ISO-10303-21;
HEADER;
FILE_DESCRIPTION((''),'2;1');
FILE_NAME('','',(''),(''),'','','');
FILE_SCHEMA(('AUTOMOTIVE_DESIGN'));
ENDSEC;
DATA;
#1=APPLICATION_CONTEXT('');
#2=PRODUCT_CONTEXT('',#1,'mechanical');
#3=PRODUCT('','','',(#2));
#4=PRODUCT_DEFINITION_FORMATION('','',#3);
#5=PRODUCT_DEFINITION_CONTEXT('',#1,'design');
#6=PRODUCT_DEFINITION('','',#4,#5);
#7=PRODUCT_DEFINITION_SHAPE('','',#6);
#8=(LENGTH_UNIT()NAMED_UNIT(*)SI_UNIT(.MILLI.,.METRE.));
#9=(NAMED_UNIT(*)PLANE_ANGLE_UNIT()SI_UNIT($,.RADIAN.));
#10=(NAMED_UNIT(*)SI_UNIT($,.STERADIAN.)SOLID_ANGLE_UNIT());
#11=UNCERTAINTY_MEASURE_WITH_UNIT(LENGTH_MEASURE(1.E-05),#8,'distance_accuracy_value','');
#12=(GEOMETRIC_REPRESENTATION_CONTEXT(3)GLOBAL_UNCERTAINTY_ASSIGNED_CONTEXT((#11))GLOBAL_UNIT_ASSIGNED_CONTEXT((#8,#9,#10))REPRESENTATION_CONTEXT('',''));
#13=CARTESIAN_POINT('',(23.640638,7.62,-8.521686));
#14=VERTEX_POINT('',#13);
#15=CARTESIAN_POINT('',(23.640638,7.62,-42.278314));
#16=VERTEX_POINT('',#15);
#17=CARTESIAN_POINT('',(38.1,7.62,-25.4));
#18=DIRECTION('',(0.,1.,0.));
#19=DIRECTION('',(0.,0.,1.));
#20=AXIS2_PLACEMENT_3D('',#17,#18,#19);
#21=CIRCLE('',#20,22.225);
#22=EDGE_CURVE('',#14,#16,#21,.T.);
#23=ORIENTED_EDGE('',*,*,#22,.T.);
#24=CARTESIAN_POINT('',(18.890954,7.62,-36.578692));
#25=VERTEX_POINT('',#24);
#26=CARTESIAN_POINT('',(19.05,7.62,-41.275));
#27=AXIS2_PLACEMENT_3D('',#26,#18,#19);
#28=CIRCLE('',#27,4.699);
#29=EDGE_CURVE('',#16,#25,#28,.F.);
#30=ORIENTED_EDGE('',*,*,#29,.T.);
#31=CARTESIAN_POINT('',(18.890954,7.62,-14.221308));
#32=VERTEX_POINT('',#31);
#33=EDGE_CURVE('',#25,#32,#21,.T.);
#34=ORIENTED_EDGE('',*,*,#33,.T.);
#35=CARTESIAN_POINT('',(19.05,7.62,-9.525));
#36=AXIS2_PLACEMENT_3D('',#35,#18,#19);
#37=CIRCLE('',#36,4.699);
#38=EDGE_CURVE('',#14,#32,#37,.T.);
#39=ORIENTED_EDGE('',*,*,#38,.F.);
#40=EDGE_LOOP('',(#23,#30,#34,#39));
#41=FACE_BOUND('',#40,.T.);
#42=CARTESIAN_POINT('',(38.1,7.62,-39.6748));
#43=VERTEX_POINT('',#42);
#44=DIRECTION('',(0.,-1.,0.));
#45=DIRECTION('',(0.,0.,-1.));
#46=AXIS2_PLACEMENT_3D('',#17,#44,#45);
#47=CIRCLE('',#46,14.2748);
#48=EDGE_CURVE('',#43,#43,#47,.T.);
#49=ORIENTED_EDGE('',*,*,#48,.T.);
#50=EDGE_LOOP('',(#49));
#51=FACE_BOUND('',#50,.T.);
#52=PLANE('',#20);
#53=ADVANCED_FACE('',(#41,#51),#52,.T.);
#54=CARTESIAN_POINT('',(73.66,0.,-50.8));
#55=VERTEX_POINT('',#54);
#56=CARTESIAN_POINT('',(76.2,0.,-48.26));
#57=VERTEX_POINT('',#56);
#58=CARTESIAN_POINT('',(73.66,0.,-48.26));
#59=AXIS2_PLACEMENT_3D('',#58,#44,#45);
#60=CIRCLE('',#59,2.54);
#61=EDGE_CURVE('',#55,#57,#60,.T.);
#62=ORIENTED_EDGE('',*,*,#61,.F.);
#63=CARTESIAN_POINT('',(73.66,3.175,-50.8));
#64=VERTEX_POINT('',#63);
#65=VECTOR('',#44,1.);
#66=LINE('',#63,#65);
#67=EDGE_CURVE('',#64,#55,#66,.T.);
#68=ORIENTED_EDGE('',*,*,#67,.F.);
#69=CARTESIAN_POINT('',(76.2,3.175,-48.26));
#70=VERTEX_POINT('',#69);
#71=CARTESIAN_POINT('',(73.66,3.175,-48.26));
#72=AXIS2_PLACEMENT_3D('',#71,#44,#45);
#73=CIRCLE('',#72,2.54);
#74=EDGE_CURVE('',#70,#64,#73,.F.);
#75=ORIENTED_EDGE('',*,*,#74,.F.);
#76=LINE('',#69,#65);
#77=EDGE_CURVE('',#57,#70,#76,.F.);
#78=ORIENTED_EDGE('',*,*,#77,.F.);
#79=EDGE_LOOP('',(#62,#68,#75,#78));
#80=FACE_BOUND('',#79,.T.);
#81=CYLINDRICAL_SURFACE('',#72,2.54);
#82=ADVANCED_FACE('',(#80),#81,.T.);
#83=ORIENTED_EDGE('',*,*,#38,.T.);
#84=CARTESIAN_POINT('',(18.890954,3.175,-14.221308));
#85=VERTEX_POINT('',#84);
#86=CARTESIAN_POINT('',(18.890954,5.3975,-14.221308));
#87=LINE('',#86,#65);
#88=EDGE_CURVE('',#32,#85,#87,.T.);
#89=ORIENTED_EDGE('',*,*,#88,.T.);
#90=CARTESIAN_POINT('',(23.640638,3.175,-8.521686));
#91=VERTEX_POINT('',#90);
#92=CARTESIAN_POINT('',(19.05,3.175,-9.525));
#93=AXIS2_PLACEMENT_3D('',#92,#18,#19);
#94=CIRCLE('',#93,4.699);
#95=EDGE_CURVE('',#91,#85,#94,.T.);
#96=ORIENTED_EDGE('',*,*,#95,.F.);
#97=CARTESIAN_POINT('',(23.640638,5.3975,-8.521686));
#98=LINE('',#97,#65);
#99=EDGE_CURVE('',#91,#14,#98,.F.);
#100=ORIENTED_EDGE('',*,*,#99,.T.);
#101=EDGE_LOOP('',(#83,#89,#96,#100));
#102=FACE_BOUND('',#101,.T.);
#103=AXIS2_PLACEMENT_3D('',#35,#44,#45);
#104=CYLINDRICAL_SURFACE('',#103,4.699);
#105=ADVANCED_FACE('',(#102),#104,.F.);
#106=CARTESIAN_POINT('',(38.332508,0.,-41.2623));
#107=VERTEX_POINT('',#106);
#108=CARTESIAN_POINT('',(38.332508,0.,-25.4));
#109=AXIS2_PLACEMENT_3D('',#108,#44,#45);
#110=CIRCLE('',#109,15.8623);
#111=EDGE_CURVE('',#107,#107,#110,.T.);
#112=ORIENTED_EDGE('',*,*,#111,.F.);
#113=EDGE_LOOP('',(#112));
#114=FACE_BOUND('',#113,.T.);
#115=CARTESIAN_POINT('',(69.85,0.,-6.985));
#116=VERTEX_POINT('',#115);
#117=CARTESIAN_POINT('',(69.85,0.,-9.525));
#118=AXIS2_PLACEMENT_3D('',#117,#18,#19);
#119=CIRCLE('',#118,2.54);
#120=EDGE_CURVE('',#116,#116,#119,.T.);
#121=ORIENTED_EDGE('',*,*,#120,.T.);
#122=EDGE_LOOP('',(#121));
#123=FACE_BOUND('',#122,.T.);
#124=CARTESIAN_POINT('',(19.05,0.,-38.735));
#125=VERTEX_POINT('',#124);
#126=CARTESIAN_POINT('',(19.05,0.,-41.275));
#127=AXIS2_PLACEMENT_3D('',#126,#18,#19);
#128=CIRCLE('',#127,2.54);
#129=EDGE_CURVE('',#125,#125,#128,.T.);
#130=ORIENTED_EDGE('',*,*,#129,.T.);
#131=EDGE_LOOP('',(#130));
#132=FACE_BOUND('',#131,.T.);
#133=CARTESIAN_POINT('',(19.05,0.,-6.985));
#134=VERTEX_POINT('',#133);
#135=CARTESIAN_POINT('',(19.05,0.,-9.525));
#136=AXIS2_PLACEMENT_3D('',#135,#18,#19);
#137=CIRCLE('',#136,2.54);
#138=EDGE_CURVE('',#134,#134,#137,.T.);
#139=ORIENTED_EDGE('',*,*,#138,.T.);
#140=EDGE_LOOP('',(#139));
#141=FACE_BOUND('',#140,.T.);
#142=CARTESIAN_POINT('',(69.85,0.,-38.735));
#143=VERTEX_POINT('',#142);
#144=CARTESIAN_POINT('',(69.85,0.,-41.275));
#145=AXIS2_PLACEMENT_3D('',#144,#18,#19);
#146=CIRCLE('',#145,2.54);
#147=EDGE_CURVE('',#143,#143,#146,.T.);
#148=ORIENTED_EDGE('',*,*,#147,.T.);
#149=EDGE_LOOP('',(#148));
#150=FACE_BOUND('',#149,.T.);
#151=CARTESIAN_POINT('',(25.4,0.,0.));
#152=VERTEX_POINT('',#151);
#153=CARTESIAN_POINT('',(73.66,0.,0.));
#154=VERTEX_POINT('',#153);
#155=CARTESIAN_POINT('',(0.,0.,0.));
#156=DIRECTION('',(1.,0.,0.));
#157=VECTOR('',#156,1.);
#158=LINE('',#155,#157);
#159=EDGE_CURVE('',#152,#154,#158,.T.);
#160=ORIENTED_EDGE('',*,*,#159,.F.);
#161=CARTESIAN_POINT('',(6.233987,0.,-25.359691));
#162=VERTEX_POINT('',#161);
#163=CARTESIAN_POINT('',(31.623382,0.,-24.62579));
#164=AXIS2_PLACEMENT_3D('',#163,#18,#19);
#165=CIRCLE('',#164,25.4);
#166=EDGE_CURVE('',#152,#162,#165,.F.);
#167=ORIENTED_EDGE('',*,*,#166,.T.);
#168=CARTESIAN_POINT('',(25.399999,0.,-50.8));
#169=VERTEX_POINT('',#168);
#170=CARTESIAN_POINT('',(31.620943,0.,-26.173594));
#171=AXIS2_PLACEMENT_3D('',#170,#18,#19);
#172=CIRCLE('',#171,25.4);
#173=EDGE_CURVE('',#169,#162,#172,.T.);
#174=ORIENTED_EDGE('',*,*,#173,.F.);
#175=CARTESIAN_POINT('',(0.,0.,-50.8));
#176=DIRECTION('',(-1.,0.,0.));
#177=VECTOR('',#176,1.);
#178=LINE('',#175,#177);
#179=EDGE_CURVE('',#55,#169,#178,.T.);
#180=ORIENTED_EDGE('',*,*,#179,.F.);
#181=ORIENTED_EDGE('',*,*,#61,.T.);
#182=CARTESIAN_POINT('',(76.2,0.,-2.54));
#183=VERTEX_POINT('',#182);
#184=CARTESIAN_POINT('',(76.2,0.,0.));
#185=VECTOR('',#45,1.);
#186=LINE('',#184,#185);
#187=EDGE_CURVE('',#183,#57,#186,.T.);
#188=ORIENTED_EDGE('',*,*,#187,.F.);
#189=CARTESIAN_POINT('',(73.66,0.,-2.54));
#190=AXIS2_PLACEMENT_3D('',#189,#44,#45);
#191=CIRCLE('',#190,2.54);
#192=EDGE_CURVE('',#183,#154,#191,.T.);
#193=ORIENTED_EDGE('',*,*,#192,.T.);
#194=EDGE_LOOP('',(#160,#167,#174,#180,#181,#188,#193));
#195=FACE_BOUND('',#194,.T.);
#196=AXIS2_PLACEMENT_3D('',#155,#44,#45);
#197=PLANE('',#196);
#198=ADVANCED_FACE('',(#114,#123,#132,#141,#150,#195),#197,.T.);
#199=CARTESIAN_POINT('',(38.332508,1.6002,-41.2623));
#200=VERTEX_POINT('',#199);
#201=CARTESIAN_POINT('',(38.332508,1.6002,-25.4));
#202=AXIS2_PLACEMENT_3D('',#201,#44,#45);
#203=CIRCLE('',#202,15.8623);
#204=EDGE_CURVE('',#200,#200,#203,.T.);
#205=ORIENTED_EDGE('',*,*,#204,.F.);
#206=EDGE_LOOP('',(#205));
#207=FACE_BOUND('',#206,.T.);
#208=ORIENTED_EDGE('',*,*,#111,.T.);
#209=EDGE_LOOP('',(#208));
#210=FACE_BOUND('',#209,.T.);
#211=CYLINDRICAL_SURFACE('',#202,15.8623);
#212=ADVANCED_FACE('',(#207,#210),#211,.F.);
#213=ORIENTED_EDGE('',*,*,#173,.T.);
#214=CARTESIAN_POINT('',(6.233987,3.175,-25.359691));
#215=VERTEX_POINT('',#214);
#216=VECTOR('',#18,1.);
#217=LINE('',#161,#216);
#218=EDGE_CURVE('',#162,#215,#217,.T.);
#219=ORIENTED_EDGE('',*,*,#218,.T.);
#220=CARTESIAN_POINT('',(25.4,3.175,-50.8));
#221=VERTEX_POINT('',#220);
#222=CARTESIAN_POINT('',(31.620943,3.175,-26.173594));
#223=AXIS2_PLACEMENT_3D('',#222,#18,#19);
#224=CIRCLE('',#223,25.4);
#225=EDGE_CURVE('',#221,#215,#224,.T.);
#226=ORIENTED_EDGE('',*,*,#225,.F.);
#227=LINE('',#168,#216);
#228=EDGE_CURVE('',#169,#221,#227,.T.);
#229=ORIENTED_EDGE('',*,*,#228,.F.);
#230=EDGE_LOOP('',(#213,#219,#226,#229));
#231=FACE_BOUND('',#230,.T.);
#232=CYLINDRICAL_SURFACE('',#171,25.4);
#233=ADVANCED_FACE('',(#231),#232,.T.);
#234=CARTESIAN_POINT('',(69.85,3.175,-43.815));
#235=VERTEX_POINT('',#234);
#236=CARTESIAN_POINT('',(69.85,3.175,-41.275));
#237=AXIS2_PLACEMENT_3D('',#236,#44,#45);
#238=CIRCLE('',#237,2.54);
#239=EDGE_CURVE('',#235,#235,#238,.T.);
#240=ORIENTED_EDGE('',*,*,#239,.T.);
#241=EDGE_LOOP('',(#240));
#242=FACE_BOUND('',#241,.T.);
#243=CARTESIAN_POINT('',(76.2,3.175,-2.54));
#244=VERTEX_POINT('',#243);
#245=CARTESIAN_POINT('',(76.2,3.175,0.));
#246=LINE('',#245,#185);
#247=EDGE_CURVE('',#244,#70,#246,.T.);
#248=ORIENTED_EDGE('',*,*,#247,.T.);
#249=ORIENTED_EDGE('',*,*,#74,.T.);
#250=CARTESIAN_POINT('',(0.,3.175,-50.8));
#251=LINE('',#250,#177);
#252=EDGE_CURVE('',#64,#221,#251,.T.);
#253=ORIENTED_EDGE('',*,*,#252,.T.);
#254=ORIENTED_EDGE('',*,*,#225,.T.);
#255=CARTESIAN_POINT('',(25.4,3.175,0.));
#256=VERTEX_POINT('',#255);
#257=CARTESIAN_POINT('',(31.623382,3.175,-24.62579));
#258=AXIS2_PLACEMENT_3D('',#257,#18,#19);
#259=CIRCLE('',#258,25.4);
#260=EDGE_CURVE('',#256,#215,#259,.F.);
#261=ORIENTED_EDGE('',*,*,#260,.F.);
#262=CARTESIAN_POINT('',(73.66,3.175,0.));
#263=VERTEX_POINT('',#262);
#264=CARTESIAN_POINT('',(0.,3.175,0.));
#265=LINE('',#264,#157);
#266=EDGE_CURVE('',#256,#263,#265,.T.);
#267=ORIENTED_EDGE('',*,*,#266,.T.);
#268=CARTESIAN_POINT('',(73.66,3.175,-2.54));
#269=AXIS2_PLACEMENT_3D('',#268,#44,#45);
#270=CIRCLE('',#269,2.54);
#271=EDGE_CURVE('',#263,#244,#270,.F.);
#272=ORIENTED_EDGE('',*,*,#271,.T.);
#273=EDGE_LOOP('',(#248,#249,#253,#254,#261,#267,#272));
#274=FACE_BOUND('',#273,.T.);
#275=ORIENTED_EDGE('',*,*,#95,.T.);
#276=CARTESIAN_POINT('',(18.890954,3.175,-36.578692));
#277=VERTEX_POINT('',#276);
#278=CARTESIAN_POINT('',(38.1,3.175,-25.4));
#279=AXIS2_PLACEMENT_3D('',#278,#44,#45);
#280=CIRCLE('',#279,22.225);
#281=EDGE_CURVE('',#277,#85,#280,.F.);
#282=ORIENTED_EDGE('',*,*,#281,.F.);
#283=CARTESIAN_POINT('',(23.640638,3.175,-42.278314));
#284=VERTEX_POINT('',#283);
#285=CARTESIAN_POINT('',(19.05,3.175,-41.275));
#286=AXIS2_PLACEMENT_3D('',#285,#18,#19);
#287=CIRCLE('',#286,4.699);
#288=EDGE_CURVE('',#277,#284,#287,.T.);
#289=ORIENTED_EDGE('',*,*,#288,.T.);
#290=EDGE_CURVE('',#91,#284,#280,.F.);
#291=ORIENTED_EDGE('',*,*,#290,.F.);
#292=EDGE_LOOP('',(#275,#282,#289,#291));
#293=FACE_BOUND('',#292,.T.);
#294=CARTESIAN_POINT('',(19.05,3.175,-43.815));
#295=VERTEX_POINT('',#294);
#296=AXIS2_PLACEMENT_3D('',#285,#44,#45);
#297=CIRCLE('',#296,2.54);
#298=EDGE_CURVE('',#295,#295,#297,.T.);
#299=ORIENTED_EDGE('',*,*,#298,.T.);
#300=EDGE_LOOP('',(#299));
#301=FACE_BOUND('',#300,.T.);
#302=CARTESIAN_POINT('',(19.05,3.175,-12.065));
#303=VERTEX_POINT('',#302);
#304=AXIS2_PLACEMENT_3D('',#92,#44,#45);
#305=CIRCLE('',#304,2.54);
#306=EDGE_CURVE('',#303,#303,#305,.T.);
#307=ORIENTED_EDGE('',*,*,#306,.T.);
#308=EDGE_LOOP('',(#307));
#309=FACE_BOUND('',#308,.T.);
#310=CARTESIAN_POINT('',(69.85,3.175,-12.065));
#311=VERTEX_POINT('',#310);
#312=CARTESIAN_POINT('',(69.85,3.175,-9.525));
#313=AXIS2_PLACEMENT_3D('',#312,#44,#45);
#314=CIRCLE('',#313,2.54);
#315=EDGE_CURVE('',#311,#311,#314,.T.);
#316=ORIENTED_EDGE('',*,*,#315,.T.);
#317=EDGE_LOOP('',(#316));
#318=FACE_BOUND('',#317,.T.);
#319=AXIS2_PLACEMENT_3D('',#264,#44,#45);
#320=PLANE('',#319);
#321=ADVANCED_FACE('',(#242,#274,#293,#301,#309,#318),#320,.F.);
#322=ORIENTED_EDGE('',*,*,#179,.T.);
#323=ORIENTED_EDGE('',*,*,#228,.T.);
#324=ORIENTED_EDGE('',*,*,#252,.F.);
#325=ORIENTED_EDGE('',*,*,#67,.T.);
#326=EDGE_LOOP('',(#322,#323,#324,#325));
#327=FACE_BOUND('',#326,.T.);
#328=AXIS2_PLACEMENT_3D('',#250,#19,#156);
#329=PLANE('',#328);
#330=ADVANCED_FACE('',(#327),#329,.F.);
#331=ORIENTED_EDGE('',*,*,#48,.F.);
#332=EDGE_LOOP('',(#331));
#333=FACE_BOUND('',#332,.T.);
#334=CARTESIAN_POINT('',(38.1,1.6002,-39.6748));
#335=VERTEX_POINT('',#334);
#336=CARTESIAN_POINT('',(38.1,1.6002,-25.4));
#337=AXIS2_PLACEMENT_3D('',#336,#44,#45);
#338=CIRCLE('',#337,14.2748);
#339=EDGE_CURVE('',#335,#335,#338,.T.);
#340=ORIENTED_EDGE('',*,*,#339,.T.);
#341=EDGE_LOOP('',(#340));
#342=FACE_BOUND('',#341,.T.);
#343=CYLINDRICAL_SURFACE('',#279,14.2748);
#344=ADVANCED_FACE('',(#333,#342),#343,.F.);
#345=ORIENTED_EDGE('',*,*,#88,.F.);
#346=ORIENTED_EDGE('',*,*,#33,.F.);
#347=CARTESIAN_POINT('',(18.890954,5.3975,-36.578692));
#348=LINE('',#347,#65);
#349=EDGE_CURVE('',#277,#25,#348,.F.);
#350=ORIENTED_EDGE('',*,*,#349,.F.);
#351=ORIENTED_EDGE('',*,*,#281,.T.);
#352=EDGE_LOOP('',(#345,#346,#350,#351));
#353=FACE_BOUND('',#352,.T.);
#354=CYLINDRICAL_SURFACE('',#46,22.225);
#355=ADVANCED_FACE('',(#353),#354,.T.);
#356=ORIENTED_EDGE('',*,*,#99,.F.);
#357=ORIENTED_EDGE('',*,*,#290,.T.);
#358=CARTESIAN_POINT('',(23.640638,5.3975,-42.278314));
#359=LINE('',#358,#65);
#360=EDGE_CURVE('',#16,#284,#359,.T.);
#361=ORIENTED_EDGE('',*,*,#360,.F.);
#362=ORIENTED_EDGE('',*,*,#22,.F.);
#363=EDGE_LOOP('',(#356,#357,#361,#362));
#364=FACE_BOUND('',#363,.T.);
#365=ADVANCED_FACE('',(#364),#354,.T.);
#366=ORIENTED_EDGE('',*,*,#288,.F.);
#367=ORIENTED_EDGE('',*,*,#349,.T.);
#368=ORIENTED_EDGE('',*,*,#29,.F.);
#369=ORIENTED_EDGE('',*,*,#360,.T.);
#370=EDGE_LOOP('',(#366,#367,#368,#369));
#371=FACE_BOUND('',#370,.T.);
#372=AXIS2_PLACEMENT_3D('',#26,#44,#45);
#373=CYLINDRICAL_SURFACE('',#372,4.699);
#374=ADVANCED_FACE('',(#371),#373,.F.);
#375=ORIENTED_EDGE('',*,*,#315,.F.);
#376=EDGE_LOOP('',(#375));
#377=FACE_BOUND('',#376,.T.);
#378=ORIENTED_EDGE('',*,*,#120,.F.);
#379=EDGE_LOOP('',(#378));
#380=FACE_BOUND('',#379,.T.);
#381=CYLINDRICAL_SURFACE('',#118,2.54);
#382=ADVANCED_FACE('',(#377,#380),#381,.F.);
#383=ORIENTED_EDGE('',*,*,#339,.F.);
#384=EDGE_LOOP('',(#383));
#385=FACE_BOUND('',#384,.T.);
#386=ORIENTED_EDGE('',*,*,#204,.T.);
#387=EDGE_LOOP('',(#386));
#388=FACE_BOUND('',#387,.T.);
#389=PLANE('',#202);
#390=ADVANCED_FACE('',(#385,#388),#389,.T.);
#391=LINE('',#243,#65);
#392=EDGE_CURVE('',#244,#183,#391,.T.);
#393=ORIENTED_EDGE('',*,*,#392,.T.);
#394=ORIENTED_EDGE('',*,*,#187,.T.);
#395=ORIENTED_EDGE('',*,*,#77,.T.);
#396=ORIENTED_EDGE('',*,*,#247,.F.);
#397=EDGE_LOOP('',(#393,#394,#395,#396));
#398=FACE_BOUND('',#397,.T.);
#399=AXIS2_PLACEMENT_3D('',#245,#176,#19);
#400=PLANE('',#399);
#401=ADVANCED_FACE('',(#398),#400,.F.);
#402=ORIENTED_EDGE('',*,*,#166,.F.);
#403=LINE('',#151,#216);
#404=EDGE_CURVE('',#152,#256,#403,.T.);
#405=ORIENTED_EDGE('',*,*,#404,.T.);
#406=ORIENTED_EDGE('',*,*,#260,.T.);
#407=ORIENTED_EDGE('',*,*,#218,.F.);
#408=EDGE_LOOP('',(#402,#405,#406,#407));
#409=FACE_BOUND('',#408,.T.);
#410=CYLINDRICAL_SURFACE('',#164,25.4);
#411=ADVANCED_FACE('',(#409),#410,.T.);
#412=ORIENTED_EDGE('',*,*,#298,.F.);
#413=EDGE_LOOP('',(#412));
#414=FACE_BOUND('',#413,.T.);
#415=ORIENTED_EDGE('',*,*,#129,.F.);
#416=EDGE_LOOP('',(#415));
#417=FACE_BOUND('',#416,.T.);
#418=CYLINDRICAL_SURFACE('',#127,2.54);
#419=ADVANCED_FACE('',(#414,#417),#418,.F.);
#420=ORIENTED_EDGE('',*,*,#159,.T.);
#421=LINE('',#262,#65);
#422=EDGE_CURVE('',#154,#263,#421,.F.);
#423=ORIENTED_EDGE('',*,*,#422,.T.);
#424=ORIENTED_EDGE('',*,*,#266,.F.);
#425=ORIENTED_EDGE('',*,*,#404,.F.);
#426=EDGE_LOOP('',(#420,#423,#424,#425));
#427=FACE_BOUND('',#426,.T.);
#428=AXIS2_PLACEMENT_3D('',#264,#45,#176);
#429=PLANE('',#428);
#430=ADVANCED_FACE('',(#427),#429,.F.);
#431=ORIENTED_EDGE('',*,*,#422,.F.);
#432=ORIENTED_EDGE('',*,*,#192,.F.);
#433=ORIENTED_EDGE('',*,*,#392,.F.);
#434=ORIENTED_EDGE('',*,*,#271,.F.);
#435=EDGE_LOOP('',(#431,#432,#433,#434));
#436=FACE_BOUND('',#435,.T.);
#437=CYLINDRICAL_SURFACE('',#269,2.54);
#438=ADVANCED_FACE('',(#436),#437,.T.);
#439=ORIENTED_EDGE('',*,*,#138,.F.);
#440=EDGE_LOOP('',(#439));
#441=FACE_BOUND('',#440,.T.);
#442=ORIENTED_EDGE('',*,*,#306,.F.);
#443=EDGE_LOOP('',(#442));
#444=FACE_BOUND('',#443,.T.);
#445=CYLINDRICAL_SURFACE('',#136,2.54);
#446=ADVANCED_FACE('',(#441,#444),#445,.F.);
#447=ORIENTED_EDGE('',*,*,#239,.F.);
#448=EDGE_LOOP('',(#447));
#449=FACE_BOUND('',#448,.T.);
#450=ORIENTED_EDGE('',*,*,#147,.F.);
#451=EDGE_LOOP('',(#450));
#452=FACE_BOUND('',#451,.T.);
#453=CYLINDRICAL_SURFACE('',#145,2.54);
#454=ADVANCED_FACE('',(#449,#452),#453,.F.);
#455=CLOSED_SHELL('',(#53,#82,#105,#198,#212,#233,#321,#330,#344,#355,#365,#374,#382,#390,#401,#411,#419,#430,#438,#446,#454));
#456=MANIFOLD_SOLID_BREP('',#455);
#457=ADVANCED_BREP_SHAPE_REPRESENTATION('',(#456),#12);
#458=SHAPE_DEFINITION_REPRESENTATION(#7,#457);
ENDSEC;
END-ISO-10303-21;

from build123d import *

# Parameters (mm, degrees)
SKETCH1_W               = 76.2
SKETCH1_H               = 50.8
SKETCH1_R               = 14.2748
BOSS_EXTRUDE1_DEPTH     = 3.175
SKETCH2_R               = 22.225
BOSS_EXTRUDE2_DEPTH     = 4.445
SKETCH3_R               = 14.2748
CUT_EXTRUDE1_DEPTH      = 92.688810795
SKETCH4_R               = 15.8623
CUT_EXTRUDE2_DEPTH      = 1.6002
FILLET2_R               = 2.54
CUT_EXTRUDE3_DEPTH      = 92.688810795
CUT_EXTRUDE3_DEPTH_BACK = 92.688810795
SKETCH5_R               = 2.54
CUT_EXTRUDE4_DEPTH      = 92.688810795
SKETCH7_R               = 4.699
CUT_EXTRUDE5_DEPTH      = 92.688810795
SKETCH9_R               = 4.699
CUT_EXTRUDE6_DEPTH      = 92.688810795


with BuildPart() as part:
    # Sketch1 → Boss-Extrude1 (new body)
    with BuildSketch(Plane(origin=(0, 0, 0), x_dir=(1, 0, 0), z_dir=(0, 1, 0))):
        with Locations((38.1, 25.4)):
            Rectangle(SKETCH1_W, SKETCH1_H)
        with Locations(Location((38.1, 25.4, 0), (0, 0, 270))):
            Circle(SKETCH1_R, mode=Mode.SUBTRACT)
    extrude(amount=BOSS_EXTRUDE1_DEPTH)

    # Sketch2 → Boss-Extrude2 (add)
    with BuildSketch(Plane(origin=(0, 3.175, 0), x_dir=(1, 0, 0), z_dir=(0, 1, 0))):
        with Locations(Location((38.1, 25.4, 0), (0, 0, 90))):
            Circle(SKETCH2_R)
    extrude(amount=BOSS_EXTRUDE2_DEPTH)

    # Sketch3 → Cut-Extrude1 (cut, through all)
    with BuildSketch(Plane.XZ.offset(-3.175)):
        with Locations(Location((38.1, -25.4, 0), (0, 0, 270))):
            Circle(SKETCH3_R)
    extrude(amount=-CUT_EXTRUDE1_DEPTH, mode=Mode.SUBTRACT)

    # Sketch4 → Cut-Extrude2 (cut)
    with BuildSketch(Plane(origin=(0, 0, 0), x_dir=(-1, 0, 0), z_dir=(0, -1, 0))):
        with Locations(Location((-38.332507849, 25.4, 0), (0, 0, 90))):
            Circle(SKETCH4_R)
    extrude(amount=-CUT_EXTRUDE2_DEPTH, mode=Mode.SUBTRACT)

    # Fillet2
    fillet2_edges = [part.edges().sort_by_distance(p)[0] for p in [
        (0, 1.5875, -50.8),
        (76.2, 1.5875, -50.8),
        (76.2, 1.5875, 0),
        (0, 1.5875, 0),
    ]]
    fillet(fillet2_edges, radius=FILLET2_R)

    # Sketch5 → Cut-Extrude3 (cut, two sides: drawn at the far end of the back side and taken through both)
    with BuildSketch(Plane(origin=(0, 3.175, 0), x_dir=(1, 0, 0), z_dir=(0, 1, 0)).offset(-CUT_EXTRUDE3_DEPTH_BACK)):
        with Locations(Location((69.85, 41.275, 0), (0, 0, 270))):
            Circle(SKETCH5_R)
        with Locations(Location((69.85, 9.525, 0), (0, 0, 270))):
            Circle(SKETCH5_R)
        with Locations(Location((19.05, 9.525, 0), (0, 0, 270))):
            Circle(SKETCH5_R)
        with Locations(Location((19.05, 41.275, 0), (0, 0, 270))):
            Circle(SKETCH5_R)
    extrude(amount=CUT_EXTRUDE3_DEPTH + CUT_EXTRUDE3_DEPTH_BACK, mode=Mode.SUBTRACT)

    # Sketch6 → Cut-Extrude4 (cut, through all)
    with BuildSketch(Plane(origin=(0, 3.175, 0), x_dir=(1, 0, 0), z_dir=(0, 1, 0))):
        with BuildLine():
            Line((0, 48.26), (0, 2.54))
            ThreePointArc((0, 2.54), (0.743948776, 0.743948776), (2.54, 0))
            Line((2.54, 0), (25.399999995, 0))
            ThreePointArc((25.399999995, 0), (11.359611147, 9.31110396), (6.233986574, 25.359691084))
            ThreePointArc((6.233986574, 25.359691084), (11.333824667, 41.457338196), (25.399999042, 50.8))
            Line((25.399999042, 50.8), (2.54, 50.8))
            ThreePointArc((2.54, 50.8), (0.743948776, 50.056051224), (0, 48.26))
        make_face()
    extrude(amount=-CUT_EXTRUDE4_DEPTH, mode=Mode.SUBTRACT)

    # Sketch7 → Cut-Extrude5 (cut, through all)
    with BuildSketch(Plane(origin=(0, 3.175, 0), x_dir=(1, 0, 0), z_dir=(0, 1, 0))):
        with Locations((19.05, 9.525)):
            Circle(SKETCH7_R)
    extrude(amount=CUT_EXTRUDE5_DEPTH, mode=Mode.SUBTRACT)

    # Sketch9 → Cut-Extrude6 (cut, through all)
    with BuildSketch(Plane(origin=(0, 3.175, 0), x_dir=(1, 0, 0), z_dir=(0, 1, 0))):
        with Locations((19.05, 41.275)):
            Circle(SKETCH9_R)
    extrude(amount=CUT_EXTRUDE6_DEPTH, mode=Mode.SUBTRACT)


solid = part.part
